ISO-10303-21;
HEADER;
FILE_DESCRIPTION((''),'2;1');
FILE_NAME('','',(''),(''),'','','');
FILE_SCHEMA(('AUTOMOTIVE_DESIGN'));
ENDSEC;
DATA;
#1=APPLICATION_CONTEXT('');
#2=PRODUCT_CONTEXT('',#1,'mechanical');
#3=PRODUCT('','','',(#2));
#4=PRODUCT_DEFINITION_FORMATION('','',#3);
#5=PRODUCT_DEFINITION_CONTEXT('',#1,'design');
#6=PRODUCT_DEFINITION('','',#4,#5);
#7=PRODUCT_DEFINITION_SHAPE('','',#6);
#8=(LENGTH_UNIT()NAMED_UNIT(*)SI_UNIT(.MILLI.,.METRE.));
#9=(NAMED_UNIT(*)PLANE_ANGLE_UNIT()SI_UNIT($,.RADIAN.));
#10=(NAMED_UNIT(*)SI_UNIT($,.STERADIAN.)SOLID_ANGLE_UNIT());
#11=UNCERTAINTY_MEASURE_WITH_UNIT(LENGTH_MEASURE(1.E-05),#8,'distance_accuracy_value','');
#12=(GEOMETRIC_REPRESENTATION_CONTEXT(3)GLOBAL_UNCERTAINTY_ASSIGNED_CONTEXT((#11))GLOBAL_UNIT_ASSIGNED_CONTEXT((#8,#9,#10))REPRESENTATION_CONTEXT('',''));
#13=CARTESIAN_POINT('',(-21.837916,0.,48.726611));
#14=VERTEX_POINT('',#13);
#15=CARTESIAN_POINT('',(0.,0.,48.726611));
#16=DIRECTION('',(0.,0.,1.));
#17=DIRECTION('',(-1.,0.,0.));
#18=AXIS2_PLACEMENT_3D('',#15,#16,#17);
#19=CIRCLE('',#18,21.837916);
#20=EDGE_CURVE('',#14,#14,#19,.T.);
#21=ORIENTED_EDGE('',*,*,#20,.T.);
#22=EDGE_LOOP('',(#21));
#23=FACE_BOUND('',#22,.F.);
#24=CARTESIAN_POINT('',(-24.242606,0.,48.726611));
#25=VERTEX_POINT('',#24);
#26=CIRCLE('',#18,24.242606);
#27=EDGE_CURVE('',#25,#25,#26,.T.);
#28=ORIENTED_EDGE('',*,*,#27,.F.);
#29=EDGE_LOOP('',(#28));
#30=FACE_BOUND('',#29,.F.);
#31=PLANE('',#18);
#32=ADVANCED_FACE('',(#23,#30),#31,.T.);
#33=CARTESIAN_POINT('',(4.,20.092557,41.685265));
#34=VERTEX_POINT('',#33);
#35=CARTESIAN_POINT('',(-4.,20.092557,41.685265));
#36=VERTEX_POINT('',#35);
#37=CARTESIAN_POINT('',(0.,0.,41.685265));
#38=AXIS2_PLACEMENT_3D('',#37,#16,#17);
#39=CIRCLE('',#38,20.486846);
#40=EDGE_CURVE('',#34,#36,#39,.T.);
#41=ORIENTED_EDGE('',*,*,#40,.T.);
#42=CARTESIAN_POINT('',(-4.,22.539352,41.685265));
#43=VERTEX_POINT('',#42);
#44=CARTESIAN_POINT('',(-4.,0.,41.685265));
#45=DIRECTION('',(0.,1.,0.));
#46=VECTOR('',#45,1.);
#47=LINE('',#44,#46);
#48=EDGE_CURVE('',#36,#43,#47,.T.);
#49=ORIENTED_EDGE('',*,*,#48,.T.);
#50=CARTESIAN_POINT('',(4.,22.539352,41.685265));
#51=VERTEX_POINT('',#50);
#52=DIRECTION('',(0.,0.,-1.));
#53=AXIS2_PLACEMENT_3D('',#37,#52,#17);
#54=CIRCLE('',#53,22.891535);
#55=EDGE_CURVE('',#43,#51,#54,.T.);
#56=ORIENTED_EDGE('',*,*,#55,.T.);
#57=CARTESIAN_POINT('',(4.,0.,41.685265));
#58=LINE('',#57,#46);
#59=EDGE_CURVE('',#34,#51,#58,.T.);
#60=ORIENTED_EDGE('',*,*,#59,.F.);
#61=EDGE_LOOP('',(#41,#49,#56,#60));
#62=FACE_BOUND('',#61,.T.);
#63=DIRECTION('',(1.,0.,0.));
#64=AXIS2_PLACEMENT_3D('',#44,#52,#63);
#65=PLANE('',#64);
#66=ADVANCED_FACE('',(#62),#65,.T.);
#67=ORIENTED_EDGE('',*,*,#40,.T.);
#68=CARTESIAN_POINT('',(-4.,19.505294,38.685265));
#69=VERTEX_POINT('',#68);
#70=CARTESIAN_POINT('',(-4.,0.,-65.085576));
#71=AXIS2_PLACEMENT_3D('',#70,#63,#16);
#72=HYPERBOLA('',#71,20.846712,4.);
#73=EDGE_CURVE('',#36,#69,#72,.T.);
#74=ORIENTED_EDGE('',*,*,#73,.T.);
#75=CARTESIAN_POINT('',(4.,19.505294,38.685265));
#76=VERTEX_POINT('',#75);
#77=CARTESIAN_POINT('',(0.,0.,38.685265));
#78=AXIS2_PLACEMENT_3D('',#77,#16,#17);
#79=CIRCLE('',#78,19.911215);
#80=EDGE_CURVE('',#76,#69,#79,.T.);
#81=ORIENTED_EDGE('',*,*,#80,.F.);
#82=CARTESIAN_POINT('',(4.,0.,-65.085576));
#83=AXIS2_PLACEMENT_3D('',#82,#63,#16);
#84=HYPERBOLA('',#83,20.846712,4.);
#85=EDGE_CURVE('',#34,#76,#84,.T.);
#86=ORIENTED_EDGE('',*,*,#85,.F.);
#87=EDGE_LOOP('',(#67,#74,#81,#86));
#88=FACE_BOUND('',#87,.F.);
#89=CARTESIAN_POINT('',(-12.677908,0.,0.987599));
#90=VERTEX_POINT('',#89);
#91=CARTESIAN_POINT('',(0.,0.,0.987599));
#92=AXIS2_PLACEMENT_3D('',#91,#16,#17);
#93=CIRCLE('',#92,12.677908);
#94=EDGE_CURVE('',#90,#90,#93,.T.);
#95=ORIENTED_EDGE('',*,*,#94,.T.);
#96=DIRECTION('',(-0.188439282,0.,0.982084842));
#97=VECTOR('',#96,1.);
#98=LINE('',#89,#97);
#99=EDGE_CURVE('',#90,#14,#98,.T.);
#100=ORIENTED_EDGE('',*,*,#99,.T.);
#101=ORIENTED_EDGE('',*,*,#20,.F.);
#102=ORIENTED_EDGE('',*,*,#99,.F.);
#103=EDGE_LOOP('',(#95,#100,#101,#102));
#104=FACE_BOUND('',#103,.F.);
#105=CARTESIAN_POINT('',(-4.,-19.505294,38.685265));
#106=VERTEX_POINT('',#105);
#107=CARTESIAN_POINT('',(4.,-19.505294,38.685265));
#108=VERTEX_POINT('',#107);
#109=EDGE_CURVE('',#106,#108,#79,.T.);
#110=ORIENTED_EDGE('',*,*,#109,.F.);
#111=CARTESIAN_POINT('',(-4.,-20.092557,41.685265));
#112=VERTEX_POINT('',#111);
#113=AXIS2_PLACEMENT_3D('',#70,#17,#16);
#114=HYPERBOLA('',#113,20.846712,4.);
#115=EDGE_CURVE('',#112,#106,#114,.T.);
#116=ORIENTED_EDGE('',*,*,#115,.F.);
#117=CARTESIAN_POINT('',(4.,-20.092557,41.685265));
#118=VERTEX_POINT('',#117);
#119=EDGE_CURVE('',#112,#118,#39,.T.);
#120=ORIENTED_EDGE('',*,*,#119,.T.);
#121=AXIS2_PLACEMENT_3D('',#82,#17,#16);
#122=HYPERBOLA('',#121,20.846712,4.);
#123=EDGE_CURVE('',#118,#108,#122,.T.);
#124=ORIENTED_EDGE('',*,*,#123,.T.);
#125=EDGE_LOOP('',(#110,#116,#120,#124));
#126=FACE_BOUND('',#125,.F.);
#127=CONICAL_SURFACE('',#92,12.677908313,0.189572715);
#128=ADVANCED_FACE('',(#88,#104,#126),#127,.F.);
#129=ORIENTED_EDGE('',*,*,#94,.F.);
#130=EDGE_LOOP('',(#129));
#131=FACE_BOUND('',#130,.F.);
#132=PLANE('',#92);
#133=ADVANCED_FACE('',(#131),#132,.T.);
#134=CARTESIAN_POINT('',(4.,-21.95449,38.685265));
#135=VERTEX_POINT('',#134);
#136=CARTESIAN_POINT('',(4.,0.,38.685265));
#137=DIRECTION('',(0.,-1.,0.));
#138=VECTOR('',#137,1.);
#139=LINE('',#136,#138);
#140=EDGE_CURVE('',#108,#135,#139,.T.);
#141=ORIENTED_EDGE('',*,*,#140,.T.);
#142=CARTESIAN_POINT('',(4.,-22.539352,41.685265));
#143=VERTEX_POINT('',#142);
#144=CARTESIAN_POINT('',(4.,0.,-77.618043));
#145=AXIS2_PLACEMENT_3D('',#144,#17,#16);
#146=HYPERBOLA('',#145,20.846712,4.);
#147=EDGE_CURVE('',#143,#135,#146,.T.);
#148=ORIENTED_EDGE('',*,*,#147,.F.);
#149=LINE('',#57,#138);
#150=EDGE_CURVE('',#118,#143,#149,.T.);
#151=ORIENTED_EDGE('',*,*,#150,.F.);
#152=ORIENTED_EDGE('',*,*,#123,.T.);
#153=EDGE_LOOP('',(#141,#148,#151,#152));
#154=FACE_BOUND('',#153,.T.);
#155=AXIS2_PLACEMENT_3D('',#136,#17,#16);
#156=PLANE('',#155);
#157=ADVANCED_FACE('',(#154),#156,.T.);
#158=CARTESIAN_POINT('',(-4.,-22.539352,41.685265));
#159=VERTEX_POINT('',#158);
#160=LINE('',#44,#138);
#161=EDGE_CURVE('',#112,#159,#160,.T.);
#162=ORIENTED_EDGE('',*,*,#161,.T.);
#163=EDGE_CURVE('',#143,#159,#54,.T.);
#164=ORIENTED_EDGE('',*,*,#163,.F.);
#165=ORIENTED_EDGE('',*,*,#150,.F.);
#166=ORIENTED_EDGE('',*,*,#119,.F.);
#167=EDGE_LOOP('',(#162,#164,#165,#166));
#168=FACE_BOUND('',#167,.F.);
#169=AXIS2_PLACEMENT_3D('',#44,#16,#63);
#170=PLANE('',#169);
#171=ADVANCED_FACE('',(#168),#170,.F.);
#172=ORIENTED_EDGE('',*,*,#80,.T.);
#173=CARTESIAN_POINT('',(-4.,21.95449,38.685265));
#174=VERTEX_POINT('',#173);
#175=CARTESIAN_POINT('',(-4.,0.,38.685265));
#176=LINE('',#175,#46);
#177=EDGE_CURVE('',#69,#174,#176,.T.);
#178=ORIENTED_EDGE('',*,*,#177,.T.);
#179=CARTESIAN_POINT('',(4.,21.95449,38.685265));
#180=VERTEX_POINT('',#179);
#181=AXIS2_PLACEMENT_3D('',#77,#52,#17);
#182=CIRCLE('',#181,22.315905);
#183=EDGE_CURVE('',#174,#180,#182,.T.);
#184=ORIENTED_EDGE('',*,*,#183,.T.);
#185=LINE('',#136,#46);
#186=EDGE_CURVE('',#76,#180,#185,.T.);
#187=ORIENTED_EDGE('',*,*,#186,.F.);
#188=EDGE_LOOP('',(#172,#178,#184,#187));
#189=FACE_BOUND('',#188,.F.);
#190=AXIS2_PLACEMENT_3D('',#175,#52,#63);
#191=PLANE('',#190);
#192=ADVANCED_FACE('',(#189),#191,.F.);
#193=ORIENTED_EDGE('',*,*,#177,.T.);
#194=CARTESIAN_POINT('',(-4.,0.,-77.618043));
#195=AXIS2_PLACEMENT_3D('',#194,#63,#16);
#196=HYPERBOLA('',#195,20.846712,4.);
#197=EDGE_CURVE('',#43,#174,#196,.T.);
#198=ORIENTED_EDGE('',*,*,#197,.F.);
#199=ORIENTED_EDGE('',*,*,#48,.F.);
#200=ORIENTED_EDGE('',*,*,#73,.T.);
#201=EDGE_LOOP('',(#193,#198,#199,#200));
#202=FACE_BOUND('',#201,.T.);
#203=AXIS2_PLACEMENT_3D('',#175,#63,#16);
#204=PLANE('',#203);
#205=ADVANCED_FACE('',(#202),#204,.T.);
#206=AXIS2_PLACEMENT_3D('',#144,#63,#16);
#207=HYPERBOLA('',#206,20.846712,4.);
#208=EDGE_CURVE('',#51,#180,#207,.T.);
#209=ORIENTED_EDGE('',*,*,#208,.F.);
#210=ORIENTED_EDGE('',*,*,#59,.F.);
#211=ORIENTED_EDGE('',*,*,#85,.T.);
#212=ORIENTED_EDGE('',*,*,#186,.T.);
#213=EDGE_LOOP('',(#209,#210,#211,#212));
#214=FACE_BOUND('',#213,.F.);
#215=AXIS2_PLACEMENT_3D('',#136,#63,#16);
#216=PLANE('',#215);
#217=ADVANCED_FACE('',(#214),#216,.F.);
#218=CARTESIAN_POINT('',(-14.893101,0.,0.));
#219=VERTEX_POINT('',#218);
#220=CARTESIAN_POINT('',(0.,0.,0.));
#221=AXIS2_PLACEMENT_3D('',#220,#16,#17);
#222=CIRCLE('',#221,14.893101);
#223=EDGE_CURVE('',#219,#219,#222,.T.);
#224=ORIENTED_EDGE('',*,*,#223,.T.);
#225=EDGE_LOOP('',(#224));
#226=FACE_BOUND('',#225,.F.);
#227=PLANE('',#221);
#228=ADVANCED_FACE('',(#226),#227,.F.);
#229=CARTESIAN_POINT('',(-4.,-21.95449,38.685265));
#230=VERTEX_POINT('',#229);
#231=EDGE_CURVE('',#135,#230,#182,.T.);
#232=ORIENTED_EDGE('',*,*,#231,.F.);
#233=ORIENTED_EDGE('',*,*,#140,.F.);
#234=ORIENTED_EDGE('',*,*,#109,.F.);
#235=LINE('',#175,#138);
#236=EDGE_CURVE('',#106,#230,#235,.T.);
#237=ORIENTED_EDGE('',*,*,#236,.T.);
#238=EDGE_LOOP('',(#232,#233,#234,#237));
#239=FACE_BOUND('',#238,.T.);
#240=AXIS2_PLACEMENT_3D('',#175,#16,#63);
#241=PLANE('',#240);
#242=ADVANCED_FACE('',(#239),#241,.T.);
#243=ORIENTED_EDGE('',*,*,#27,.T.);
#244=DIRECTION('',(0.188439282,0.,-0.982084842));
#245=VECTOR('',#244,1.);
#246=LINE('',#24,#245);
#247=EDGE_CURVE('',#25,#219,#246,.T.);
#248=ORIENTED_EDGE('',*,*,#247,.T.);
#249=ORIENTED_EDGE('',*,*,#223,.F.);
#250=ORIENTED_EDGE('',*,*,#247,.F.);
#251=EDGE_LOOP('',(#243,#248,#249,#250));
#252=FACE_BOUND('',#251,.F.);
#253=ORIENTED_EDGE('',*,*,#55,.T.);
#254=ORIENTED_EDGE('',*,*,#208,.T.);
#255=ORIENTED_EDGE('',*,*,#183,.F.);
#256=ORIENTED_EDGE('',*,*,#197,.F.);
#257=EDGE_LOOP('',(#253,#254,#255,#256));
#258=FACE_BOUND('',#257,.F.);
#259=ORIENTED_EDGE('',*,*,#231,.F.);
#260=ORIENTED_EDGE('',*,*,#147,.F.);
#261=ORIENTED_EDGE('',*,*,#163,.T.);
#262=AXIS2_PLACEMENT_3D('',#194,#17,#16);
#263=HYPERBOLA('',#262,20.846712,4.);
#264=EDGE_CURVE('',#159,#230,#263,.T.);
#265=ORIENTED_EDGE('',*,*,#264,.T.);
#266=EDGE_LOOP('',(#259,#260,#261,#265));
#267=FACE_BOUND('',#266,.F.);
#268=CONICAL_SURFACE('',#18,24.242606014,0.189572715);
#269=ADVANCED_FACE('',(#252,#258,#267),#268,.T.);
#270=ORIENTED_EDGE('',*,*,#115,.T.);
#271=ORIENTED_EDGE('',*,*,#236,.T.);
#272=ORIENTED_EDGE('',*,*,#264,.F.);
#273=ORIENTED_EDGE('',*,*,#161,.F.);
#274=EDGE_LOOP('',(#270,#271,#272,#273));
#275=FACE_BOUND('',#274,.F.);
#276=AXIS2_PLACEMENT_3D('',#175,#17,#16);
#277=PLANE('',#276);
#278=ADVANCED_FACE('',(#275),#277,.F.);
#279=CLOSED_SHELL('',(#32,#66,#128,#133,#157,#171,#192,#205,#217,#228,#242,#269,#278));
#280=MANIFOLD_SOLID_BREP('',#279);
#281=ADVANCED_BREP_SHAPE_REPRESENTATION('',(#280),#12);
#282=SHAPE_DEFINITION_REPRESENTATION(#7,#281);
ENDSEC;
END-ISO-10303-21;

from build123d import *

# Parameters (mm, degrees)
F2_W          = 8
F2_H          = 3
F3_DEPTH      = 500
F3_DEPTH_BACK = 25


with BuildPart() as f1:
    # F0 (on Front) → F1 (revolve)
    with BuildSketch(Plane.XZ):
        Polygon((-14.893100597, 0), (0, 0), (0, 0.9875985638), (-12.6779083135, 0.9875985638), (-21.8379164935, 48.7266108394), (-24.242606014, 48.7266108394), align=None)
    revolve(axis=Axis((0, 0, 21.5093586594), (0, 0, 1)))

    # F2 (on Front) → F3 (cut, two sides)
    with BuildSketch(Plane.XZ) as f3_sk:
        with Locations((0, 40.1852652431)):
            Rectangle(F2_W, F2_H)
    extrude(amount=-F3_DEPTH, mode=Mode.SUBTRACT)
    extrude(f3_sk.sketch, amount=F3_DEPTH_BACK, mode=Mode.SUBTRACT)


solid = f1.part
